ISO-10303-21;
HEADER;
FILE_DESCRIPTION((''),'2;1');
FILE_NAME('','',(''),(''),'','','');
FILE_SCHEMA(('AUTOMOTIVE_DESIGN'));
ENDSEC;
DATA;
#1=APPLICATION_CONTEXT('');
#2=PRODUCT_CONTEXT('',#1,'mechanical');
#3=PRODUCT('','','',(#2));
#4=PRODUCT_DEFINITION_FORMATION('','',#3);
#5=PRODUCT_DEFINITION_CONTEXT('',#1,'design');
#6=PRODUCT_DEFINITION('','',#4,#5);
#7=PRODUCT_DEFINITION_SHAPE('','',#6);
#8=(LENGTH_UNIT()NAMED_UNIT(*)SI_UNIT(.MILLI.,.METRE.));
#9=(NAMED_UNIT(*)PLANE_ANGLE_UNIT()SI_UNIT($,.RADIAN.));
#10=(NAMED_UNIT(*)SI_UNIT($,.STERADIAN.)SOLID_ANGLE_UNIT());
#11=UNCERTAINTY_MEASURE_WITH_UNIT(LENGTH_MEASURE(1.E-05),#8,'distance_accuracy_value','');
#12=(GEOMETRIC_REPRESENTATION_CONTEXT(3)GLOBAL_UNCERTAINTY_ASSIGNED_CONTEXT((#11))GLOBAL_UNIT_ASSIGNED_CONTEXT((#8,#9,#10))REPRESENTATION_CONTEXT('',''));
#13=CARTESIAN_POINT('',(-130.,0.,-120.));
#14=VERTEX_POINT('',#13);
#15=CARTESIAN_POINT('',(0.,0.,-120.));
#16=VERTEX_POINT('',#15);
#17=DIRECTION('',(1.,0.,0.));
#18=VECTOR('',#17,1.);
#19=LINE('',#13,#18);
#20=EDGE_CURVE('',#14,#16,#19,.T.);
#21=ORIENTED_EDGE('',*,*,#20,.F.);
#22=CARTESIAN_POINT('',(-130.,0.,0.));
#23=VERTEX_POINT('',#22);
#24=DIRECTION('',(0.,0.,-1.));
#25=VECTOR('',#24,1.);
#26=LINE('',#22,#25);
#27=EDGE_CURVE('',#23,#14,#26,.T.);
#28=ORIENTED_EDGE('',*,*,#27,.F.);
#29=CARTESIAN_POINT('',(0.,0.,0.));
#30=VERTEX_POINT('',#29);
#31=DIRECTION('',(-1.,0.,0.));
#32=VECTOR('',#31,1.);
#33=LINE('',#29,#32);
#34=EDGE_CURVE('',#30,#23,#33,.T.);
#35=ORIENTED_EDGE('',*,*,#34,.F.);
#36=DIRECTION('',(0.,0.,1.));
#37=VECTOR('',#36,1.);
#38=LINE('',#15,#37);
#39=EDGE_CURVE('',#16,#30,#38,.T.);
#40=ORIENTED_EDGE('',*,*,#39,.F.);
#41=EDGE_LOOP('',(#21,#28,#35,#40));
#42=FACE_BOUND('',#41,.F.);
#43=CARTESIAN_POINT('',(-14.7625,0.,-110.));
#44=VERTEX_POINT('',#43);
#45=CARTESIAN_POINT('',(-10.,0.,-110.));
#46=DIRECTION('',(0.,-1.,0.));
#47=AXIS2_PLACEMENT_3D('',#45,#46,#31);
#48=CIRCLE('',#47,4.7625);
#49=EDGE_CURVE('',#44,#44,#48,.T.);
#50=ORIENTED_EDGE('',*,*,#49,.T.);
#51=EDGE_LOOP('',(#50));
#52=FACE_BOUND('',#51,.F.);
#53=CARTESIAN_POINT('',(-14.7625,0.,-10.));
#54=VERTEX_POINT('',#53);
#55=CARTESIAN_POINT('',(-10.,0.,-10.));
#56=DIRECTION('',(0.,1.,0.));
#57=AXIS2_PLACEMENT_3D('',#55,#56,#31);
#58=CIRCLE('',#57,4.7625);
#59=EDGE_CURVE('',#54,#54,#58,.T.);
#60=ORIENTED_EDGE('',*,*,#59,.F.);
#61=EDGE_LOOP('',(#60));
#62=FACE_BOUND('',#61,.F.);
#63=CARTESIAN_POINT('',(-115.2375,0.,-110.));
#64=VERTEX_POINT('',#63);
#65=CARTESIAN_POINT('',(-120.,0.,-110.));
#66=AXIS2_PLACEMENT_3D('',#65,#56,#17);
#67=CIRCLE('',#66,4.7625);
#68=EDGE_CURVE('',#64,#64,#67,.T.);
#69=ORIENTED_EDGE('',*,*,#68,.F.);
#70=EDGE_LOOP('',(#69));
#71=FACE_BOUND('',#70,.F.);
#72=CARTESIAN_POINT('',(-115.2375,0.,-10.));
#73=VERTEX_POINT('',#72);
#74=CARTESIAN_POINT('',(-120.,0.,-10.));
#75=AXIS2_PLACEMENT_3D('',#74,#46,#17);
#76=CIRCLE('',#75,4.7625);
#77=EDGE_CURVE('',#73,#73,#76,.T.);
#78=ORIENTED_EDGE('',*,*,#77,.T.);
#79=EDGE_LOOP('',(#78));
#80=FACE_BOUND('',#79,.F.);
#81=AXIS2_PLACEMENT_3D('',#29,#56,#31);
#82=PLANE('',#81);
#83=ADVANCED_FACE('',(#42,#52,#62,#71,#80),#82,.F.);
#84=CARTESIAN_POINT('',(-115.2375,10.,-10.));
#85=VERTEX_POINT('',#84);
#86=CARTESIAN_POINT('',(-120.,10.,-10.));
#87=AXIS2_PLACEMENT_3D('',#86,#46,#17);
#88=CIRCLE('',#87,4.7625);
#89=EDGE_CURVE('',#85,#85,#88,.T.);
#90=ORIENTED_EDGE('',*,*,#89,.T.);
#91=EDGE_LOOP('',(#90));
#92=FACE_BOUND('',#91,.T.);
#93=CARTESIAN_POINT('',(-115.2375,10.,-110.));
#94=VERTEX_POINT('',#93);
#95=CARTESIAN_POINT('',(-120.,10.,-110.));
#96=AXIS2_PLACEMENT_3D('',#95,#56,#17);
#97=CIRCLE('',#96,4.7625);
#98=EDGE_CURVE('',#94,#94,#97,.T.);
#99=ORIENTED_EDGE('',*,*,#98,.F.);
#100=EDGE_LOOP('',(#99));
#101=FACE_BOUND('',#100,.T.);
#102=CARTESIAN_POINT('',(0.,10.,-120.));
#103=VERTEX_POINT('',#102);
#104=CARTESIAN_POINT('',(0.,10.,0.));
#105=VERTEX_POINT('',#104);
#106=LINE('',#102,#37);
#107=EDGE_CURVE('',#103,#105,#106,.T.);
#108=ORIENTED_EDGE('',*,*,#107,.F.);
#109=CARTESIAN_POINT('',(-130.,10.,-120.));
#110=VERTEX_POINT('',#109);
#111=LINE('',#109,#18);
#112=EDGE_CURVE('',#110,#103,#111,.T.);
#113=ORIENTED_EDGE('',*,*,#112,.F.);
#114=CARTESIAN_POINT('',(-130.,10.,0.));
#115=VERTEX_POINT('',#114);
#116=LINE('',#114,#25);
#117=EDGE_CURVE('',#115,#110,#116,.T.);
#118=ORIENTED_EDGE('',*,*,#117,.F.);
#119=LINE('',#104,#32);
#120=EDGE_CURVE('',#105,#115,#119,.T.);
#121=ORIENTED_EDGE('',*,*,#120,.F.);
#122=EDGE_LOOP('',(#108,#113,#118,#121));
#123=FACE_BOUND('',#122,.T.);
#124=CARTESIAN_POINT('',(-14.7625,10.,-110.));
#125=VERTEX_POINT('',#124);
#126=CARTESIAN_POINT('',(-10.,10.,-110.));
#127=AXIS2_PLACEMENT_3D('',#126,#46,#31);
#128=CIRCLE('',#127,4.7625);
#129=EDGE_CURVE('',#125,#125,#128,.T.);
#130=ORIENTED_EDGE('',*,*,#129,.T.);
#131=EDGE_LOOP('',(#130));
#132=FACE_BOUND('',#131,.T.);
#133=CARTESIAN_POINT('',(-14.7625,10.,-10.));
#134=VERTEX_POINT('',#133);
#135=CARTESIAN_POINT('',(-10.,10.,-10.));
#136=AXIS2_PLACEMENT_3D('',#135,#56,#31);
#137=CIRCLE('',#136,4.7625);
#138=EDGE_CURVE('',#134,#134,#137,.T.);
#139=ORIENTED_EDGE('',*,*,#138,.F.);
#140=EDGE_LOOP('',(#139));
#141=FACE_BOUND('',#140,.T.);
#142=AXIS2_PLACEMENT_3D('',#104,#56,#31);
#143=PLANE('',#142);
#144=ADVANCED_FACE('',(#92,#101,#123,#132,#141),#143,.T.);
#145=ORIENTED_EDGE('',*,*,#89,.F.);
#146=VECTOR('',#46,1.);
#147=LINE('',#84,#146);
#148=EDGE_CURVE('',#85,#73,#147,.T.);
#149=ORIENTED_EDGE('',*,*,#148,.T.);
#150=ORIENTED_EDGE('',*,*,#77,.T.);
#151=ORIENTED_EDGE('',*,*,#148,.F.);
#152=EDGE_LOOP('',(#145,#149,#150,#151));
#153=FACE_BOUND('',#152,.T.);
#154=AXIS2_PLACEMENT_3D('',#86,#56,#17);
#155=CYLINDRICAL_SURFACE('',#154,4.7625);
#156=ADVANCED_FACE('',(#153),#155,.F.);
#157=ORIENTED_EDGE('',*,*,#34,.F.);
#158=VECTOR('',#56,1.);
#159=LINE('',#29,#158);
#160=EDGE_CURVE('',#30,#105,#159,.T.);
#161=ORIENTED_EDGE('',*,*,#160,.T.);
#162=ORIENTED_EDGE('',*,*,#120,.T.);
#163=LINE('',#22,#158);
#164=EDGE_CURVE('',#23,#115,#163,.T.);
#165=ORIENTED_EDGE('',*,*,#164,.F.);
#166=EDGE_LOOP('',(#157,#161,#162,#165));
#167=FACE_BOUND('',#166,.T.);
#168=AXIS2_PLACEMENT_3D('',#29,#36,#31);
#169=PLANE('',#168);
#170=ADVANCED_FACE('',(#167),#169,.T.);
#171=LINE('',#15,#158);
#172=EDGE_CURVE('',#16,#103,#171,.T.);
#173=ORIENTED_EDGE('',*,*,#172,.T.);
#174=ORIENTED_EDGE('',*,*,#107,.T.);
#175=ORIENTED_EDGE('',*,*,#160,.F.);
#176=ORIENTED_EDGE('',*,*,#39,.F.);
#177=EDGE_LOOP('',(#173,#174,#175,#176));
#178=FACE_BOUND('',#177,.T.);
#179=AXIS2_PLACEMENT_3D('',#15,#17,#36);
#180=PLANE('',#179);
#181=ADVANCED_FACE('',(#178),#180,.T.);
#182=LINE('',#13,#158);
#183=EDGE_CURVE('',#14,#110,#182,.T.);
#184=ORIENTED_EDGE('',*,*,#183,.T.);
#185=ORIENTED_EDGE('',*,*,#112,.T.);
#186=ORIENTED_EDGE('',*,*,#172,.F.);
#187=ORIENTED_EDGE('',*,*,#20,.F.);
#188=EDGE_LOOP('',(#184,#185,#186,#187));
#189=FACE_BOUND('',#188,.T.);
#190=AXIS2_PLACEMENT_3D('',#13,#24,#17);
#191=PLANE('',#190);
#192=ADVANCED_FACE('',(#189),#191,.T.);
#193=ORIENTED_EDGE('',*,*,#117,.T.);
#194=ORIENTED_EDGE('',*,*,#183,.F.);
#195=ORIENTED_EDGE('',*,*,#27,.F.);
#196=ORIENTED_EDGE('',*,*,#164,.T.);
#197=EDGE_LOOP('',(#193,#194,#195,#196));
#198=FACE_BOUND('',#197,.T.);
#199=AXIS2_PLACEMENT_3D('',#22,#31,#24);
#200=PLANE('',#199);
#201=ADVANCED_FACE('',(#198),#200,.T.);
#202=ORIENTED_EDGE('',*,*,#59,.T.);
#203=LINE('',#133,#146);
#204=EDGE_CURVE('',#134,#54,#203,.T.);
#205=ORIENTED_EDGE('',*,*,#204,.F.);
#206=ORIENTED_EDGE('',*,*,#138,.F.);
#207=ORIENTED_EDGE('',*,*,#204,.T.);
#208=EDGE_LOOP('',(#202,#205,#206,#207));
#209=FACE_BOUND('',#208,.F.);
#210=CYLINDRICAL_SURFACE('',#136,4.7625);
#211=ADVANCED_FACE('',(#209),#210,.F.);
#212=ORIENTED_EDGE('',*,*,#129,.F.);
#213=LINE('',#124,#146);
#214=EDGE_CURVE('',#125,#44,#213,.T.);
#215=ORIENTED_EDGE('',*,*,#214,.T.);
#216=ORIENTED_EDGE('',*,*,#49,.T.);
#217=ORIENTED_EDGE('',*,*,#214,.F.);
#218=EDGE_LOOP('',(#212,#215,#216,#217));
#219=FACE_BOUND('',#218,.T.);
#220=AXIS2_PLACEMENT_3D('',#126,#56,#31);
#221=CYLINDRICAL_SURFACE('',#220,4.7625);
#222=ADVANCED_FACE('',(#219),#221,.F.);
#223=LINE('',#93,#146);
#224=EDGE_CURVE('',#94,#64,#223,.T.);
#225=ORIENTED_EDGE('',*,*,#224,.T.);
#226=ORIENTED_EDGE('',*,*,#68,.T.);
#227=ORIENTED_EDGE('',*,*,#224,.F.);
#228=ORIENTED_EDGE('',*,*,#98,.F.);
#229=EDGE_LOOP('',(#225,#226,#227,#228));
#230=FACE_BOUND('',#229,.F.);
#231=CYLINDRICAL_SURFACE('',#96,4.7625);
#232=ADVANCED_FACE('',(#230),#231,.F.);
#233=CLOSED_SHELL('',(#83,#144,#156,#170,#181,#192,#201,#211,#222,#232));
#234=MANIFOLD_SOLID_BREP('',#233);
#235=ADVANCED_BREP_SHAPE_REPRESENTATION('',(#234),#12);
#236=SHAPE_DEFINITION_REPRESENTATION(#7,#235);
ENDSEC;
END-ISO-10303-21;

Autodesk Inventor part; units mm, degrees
ref_plane "YZ Plane" through (0, 0, 0) normal (1, 0, 0) x (0, 1, 0)
ref_plane "XZ Plane" through (0, 0, 0) normal (0, 1, 0) x (-1, 0, 0)
ref_plane "XY Plane" through (0, 0, 0) normal (0, 0, 1) x (1, 0, 0)
sketch "Sketch1" plane through (0, 0, 0) normal (0, 1, 0) x (-1, 0, 0)
  line L0 (0, 0) -> (130, 0)
  line L1 (130, 0) -> (130, -120)
  line L2 (130, -120) -> (0, -120)
  line L3 (0, -120) -> (0, 0)
  dimension "d0" = 120
  dimension "d1" = 130
extrude "Extrusion1" add sketch "Sketch1" along normal blind 10
sketch "Sketch2" plane through (0, 10, 0) normal (0, 1, 0) x (1, 0, 0)
  circle A0 centre (-120, 110) radius 4.7625
  line L0 (-130, 120) -> (-130, 0) projected
  line L1 (0, 120) -> (-130, 120) projected
  point P0 (0, 0)
  dimension "d4" = 10
  dimension "d5" = 10
  dimension "d6" = 9.525
extrude "Extrusion2" cut sketch "Sketch2" against normal blind 10
ref_plane "Work Plane1" through (-65, 0, 0) normal (1, 0, 0) x (0, 0, -1)
ref_plane "Work Plane2" through (0, 0, -60) normal (0, 0, -1) x (-1, 0, 0)
mirror "Mirror1" about plane through (0, 0, -60) normal (0, 0, -1) of "Extrusion2"
mirror "Mirror2" about plane through (-65, 0, 0) normal (1, 0, 0) of "Extrusion2", "Mirror1"
properties part number "Bottom_part"
